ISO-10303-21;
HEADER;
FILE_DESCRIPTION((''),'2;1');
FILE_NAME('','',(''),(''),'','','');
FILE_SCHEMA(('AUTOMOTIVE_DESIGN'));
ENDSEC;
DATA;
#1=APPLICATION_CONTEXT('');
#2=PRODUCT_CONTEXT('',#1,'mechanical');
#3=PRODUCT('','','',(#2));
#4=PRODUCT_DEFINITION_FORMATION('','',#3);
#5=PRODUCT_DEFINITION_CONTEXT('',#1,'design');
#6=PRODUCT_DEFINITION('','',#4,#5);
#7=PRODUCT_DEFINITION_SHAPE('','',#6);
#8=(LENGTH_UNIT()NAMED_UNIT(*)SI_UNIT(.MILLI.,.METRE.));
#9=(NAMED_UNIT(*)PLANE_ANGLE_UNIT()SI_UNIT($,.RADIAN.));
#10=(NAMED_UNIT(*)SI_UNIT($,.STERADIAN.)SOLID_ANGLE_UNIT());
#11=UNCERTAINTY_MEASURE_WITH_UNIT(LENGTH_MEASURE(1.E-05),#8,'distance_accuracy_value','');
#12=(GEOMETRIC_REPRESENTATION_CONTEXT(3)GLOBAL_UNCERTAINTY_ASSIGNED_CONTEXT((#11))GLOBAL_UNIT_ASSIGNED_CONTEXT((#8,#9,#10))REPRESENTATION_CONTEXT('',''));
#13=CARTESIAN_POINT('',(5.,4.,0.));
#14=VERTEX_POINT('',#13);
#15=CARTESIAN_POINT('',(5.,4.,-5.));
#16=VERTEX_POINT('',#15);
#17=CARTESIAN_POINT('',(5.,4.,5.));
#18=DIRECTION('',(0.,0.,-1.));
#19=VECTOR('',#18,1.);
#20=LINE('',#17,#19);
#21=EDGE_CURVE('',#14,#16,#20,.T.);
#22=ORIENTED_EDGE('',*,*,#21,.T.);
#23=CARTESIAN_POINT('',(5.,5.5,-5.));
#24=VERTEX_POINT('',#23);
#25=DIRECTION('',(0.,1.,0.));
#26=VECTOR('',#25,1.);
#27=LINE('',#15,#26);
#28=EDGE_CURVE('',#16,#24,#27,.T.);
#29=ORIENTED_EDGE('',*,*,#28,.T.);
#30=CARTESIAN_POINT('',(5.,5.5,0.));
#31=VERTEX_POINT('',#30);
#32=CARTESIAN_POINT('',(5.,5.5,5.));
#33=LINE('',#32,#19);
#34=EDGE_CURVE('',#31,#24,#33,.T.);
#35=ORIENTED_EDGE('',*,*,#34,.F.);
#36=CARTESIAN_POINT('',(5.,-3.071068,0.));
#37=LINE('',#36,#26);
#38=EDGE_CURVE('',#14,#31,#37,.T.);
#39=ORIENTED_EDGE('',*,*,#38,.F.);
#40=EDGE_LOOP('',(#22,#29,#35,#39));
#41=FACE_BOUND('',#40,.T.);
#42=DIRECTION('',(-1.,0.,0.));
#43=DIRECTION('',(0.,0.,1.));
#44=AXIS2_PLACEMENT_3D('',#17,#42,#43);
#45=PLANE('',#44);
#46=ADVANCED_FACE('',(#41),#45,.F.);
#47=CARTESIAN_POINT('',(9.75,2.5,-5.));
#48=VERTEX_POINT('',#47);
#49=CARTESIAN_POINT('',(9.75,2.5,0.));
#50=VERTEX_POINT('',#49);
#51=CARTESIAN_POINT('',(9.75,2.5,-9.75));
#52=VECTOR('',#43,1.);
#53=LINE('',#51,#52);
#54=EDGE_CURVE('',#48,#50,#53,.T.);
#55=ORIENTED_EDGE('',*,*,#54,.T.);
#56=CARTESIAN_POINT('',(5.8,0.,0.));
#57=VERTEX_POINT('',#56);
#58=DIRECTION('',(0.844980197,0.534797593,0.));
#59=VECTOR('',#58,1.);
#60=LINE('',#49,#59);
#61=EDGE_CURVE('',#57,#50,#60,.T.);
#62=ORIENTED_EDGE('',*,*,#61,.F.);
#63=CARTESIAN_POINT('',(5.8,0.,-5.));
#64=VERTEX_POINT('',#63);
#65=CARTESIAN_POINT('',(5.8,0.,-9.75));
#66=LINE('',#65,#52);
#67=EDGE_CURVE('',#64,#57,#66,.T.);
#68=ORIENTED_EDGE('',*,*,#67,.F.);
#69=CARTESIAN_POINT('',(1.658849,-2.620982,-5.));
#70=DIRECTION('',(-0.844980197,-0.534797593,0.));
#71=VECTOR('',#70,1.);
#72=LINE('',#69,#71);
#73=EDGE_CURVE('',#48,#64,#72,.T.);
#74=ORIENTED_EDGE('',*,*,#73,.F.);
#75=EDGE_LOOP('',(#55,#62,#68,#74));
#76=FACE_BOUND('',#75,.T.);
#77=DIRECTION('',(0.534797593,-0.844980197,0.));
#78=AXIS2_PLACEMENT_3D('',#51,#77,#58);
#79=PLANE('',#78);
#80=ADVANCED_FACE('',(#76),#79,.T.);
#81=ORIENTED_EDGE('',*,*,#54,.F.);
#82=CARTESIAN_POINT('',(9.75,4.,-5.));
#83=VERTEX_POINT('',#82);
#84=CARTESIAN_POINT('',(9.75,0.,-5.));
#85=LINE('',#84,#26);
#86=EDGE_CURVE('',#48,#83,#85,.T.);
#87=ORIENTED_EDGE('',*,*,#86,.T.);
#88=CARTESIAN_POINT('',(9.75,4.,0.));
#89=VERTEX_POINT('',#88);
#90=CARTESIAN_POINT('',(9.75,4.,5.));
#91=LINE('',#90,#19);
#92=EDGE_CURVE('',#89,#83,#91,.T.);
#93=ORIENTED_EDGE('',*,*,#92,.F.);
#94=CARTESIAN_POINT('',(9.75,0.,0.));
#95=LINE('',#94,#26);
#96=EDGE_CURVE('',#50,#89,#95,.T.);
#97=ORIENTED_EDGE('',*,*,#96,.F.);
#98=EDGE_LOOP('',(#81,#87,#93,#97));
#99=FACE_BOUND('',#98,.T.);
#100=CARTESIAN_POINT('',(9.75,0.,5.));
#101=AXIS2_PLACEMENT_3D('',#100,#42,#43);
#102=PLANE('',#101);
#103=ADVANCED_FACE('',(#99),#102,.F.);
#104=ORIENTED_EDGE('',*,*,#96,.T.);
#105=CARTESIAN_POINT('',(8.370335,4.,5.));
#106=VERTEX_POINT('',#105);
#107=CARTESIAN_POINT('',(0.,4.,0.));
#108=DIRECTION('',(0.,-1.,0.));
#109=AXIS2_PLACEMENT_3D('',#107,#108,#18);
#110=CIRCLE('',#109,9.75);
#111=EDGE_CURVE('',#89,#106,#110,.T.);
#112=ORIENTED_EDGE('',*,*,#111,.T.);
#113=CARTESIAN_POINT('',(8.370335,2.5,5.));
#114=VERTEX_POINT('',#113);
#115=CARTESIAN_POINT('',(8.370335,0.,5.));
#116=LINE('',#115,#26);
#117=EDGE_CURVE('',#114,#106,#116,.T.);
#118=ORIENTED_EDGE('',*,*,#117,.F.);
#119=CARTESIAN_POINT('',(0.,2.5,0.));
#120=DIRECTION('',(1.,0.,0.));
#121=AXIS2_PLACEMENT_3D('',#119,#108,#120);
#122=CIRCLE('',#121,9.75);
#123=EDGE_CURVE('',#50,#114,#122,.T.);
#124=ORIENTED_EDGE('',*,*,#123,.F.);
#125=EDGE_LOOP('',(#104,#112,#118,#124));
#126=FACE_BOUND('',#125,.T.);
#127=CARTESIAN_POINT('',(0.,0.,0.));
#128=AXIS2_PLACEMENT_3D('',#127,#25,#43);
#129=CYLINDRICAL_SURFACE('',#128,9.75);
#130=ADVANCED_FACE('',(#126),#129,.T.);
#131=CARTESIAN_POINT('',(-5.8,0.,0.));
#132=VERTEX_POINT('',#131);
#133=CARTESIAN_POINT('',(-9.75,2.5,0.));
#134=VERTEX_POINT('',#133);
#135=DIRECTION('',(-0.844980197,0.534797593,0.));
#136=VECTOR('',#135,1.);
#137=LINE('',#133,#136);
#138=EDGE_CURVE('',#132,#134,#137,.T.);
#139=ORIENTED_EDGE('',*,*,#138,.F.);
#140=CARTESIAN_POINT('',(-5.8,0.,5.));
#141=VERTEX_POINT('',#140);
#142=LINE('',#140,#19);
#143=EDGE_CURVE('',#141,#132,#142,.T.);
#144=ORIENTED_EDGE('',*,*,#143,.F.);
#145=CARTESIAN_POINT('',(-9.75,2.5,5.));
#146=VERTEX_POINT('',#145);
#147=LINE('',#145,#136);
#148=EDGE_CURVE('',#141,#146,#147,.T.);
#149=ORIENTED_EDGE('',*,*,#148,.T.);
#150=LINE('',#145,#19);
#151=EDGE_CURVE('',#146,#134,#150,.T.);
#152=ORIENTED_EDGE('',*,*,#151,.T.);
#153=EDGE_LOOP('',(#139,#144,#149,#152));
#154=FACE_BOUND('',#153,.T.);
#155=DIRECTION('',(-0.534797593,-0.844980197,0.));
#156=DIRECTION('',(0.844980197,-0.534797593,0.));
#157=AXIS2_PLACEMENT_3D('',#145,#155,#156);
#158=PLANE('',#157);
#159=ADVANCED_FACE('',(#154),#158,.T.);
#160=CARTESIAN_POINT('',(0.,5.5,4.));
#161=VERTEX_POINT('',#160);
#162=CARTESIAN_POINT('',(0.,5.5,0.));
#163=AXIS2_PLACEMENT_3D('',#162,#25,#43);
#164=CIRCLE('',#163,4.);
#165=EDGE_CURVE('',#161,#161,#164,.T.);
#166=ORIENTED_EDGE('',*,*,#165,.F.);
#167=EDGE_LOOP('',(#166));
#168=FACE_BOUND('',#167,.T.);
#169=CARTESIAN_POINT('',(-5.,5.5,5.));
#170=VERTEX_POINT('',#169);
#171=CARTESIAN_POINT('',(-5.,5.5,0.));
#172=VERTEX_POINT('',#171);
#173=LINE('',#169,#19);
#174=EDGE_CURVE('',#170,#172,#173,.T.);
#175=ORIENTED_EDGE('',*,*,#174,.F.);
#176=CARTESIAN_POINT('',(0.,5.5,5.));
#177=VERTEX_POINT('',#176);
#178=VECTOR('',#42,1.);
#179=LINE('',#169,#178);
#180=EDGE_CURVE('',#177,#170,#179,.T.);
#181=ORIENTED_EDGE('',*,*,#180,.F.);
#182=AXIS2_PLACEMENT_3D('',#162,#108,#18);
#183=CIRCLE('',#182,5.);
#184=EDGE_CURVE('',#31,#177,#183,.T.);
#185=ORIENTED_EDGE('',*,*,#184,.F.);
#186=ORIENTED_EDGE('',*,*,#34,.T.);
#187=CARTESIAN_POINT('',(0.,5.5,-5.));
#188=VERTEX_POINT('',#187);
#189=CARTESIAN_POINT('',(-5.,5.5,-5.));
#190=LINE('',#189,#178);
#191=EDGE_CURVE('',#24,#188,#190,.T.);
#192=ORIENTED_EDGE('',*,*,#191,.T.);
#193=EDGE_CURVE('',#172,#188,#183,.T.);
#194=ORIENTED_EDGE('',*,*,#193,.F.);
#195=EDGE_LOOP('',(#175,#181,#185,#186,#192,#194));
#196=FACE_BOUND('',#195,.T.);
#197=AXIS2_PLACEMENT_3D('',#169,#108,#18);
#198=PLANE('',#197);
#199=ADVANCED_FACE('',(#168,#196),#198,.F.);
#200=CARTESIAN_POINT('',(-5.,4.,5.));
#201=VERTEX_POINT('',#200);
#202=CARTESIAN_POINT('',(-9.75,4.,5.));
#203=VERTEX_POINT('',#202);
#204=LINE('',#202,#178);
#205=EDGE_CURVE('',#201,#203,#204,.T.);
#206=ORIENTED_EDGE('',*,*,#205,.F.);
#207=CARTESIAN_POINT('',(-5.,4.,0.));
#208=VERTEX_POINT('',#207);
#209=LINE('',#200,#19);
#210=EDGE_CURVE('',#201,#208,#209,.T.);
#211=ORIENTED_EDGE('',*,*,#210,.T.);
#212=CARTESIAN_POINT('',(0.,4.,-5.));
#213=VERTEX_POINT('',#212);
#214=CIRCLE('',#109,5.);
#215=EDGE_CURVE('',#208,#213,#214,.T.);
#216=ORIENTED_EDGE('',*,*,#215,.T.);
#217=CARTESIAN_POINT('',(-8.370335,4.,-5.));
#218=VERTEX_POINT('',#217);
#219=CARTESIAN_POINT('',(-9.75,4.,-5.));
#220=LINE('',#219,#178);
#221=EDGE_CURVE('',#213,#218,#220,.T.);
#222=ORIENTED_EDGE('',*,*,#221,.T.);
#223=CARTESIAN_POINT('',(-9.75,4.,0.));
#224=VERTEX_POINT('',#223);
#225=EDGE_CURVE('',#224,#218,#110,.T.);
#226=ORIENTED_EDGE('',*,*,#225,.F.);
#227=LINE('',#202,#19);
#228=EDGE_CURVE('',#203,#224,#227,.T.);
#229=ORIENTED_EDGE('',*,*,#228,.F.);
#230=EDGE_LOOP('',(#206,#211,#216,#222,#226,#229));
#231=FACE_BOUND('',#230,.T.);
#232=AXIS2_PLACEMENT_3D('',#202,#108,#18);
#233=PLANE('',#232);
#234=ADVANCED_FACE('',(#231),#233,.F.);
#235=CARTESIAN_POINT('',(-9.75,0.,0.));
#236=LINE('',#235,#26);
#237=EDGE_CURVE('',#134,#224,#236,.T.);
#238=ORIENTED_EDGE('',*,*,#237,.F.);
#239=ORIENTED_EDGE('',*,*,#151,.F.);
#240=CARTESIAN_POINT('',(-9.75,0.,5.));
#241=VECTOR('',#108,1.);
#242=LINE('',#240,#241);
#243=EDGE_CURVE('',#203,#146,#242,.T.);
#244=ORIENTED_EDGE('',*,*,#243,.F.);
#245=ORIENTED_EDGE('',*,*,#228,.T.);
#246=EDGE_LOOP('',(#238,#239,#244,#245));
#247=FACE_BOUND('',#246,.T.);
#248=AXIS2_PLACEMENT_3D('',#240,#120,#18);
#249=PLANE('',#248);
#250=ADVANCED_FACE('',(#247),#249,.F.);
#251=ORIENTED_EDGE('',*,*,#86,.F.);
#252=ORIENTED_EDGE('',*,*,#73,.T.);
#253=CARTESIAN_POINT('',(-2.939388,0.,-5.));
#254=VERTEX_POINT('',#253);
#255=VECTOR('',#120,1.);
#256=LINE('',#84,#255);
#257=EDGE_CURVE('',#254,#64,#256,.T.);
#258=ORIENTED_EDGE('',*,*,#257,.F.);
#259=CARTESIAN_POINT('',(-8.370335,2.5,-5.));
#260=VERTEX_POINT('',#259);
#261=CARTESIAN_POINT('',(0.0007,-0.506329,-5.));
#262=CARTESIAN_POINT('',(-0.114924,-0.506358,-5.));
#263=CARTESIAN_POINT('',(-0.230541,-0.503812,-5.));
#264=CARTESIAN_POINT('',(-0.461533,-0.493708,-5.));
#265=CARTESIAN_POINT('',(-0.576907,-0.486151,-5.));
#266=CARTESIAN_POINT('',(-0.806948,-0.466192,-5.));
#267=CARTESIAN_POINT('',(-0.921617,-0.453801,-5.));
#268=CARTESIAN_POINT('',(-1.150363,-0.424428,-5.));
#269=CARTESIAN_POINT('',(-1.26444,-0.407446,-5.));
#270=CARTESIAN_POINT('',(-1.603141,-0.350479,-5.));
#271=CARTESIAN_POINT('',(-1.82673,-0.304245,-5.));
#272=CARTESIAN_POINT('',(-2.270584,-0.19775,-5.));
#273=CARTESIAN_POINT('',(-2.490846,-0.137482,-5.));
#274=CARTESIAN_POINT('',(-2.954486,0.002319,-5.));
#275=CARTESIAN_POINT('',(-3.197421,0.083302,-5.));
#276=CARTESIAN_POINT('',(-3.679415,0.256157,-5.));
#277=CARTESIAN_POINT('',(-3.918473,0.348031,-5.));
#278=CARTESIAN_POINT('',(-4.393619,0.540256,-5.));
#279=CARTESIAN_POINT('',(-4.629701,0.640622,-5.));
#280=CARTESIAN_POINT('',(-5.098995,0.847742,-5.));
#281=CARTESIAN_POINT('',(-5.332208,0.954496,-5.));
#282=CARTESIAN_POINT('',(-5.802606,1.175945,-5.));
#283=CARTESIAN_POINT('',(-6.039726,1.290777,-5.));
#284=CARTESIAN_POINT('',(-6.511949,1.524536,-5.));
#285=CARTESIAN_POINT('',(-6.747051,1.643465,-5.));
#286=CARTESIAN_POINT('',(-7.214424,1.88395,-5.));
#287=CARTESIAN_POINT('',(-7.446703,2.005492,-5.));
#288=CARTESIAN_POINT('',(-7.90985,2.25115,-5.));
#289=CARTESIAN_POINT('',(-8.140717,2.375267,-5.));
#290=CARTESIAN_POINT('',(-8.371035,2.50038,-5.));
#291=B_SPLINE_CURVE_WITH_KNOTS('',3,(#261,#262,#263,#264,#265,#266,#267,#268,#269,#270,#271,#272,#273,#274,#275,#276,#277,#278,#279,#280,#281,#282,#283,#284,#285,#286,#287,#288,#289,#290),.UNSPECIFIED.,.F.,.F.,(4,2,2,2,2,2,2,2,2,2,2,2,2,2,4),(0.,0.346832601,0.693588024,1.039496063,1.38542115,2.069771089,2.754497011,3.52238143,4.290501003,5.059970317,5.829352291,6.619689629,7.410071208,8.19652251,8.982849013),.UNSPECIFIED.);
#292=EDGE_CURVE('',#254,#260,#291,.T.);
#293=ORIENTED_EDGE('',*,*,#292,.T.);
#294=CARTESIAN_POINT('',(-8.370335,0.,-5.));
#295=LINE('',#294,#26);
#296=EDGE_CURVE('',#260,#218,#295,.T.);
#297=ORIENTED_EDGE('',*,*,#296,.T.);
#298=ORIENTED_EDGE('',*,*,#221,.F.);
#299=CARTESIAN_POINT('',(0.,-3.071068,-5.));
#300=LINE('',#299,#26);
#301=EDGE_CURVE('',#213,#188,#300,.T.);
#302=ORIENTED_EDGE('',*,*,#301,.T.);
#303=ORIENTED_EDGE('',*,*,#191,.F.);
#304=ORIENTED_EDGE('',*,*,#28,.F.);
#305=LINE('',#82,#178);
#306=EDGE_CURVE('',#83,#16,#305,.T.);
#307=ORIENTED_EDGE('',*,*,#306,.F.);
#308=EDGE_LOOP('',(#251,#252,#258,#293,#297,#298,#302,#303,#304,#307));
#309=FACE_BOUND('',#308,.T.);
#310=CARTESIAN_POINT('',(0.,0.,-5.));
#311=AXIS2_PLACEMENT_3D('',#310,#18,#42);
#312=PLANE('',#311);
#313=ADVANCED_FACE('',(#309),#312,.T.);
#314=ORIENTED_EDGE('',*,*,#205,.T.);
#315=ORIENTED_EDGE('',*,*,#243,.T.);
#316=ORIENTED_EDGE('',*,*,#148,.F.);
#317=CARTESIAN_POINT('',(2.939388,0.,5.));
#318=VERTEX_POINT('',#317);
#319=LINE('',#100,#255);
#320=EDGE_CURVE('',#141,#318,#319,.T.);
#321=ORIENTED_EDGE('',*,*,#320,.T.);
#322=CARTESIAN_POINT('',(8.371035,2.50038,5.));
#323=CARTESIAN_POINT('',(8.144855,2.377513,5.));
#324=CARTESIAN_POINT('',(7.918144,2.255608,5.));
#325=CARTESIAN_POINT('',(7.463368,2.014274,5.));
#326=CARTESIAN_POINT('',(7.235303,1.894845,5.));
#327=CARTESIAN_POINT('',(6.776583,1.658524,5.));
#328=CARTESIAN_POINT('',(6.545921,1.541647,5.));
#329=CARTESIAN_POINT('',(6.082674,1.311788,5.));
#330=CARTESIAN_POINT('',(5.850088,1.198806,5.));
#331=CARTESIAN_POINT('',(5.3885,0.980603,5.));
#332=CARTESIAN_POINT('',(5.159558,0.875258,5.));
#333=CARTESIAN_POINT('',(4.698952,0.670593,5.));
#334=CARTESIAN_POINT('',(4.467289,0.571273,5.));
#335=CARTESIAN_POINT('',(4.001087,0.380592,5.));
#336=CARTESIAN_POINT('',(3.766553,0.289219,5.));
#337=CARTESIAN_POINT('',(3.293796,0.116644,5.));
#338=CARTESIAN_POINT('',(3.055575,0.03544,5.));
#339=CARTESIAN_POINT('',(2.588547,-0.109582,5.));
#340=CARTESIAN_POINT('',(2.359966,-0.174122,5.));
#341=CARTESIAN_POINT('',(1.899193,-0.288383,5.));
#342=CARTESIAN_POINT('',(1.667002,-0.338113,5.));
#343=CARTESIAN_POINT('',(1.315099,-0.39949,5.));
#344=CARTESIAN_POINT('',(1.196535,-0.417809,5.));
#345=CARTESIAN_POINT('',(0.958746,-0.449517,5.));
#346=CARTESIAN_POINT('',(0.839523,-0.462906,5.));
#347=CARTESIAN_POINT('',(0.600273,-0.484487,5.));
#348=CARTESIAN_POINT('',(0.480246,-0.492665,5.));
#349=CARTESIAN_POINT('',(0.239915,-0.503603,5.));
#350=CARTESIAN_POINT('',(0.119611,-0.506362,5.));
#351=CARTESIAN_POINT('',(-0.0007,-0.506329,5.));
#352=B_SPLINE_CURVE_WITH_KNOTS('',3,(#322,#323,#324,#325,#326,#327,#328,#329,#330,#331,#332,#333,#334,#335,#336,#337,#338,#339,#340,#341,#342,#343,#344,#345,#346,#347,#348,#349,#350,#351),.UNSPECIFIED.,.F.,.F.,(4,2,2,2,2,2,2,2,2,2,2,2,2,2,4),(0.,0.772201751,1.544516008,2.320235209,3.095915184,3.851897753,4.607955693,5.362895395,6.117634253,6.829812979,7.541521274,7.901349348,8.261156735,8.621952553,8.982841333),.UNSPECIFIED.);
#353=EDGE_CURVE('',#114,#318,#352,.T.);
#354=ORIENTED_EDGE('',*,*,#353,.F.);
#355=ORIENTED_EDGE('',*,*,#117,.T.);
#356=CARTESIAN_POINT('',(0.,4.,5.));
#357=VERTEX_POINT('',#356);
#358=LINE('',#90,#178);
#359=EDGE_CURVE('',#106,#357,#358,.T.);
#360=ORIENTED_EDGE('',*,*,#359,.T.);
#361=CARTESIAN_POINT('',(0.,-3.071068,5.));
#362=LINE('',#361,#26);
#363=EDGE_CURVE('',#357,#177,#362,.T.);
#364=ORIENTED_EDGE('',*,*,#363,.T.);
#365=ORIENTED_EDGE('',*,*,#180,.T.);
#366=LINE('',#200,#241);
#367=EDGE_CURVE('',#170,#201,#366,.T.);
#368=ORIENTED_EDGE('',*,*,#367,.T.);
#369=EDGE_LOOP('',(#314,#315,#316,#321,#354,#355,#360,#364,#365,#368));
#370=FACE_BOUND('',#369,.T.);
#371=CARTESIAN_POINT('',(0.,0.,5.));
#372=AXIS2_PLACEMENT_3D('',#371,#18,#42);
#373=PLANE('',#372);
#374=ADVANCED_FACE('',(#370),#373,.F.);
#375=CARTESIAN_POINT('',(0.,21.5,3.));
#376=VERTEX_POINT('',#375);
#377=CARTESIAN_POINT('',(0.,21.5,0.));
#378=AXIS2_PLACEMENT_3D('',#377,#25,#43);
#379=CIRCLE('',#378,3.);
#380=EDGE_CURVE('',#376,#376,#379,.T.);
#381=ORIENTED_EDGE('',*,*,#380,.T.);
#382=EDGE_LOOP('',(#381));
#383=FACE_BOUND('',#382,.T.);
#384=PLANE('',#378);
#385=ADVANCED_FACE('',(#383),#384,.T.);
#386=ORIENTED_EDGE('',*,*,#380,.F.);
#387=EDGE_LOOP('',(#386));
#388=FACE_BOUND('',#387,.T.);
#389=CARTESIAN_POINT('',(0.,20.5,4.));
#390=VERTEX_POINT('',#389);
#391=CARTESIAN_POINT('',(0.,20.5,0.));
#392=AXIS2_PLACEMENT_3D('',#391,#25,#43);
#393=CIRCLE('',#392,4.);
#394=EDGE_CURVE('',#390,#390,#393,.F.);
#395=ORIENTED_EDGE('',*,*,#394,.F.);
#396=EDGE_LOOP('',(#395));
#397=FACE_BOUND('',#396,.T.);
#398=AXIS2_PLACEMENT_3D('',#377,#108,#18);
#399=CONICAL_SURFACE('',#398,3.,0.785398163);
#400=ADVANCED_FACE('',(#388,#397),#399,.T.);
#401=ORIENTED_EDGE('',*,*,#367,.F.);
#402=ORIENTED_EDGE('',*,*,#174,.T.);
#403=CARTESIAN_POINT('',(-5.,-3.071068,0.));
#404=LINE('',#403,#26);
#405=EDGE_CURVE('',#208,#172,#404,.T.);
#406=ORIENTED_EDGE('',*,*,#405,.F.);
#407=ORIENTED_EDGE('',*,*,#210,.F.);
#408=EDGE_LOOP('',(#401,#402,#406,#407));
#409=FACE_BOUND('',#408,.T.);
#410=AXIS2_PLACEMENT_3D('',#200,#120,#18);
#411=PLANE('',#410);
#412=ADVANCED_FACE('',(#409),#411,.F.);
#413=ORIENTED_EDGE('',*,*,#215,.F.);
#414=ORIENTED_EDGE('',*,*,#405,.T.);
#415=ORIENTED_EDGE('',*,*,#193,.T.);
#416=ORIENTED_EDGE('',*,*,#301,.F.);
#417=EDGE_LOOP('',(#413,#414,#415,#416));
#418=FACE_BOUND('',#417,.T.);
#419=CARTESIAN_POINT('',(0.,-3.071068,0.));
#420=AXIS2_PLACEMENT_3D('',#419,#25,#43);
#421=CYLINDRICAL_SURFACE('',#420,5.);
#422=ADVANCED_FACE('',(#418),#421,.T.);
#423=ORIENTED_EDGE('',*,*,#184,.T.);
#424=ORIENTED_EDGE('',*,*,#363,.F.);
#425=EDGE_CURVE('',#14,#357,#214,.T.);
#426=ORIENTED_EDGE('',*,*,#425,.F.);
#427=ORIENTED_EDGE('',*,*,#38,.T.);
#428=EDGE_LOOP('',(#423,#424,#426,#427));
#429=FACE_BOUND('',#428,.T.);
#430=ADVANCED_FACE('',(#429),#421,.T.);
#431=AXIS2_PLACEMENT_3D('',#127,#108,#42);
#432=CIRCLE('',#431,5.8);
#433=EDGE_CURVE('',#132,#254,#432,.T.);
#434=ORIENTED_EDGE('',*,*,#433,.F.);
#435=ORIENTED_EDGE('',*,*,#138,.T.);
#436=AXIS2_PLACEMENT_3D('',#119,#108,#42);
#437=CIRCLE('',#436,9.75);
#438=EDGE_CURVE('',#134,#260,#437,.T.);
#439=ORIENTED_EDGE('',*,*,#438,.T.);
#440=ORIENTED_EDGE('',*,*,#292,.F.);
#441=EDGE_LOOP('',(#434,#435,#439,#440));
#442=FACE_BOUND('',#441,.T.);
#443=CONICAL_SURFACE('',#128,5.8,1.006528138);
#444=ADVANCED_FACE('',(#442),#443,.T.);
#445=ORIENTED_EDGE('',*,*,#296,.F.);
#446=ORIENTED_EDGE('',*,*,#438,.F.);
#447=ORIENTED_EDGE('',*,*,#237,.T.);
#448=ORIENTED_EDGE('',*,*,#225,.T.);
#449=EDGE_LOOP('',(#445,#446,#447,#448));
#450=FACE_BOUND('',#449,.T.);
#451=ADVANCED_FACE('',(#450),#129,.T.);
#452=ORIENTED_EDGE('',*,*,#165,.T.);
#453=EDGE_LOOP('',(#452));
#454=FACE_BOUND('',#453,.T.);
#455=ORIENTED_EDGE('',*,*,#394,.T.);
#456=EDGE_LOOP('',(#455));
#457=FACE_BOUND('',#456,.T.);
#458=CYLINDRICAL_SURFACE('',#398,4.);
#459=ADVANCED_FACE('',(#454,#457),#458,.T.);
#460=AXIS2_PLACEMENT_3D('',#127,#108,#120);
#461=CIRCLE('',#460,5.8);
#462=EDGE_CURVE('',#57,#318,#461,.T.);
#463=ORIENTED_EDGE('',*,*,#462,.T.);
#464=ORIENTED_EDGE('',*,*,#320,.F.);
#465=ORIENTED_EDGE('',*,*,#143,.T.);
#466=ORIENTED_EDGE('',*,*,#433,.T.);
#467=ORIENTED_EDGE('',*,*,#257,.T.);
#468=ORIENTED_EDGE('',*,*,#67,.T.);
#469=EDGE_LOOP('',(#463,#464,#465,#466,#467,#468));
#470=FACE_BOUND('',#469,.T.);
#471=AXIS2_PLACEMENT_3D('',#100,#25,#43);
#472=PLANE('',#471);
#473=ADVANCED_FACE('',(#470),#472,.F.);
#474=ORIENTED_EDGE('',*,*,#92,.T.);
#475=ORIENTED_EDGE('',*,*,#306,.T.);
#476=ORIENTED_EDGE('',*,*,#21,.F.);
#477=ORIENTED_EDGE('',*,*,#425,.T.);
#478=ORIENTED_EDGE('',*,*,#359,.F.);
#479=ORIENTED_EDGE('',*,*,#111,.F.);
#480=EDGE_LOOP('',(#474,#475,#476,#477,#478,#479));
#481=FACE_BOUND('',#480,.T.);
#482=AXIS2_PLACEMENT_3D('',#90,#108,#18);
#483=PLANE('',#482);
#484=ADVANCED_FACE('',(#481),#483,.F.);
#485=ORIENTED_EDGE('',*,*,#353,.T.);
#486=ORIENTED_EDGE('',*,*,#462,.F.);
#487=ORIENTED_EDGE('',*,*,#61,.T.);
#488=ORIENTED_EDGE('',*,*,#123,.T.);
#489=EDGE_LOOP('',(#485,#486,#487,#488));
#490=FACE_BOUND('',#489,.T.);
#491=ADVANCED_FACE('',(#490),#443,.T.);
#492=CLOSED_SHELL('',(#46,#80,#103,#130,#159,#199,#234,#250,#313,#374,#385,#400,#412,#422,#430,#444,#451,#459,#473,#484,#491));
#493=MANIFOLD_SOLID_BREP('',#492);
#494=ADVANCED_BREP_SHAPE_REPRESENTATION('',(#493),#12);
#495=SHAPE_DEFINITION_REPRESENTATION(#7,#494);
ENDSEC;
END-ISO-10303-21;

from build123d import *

# Parameters (mm, degrees)
EXTRUDE_1_DEPTH     = 5
CUT_EXTRUDE_1_DEPTH = 1.5
SKETCH_2_R          = 4
EXTRUDE_2_DEPTH     = 16
CUT_EXTRUDE_2_DEPTH = 5
CHAMFER_2_SIZE      = 1


with BuildPart() as part:
    # Эскиз1 → Бобышка-Вытянуть1 (new body, symmetric)
    with BuildSketch(Plane.XY):
        Polygon((9.75, 0), (-9.75, 0), (-9.75, 4), (-5, 4), (-5, 5.5), (5, 5.5), (5, 4), (9.75, 4), align=None)
    extrude(amount=EXTRUDE_1_DEPTH, both=True)

    # Эскиз3 → Вырез-Вытянуть1 (cut)
    with BuildSketch(Plane(origin=(0, 5.5, 0), x_dir=(1, 0, 0), z_dir=(0, 1, 0))):
        with BuildLine():
            Line((-5, 0), (-5, 5))
            Line((-5, 5), (0, 5))
            ThreePointArc((0, 5), (-3.535533906, 3.535533906), (-5, 0))
        make_face()
        with BuildLine():
            Line((0, -5), (5, -5))
            Line((5, -5), (5, 0))
            ThreePointArc((5, 0), (3.535533906, -3.535533906), (0, -5))
        make_face()
    extrude(amount=-CUT_EXTRUDE_1_DEPTH, mode=Mode.SUBTRACT)

    # Эскиз2 → Бобышка-Вытянуть2 (add)
    with BuildSketch(Plane(origin=(0, 5.5, 0), x_dir=(1, 0, 0), z_dir=(0, 1, 0))):
        with Locations(Location((0, 0, 0), (0, 0, 270))):  # turned: the seam where the file's is
            Circle(SKETCH_2_R)
    extrude(amount=EXTRUDE_2_DEPTH)

    # Эскиз4 → Вырез-Вытянуть2 (cut, through all)
    with BuildSketch(Plane(origin=(0, 4, 0), x_dir=(1, 0, 0), z_dir=(0, 1, 0))):
        with BuildLine():
            Line((-8.370334521, 5), (-9.75, 5))
            Line((-9.75, 5), (-9.75, 0))
            ThreePointArc((-9.75, 0), (-9.398756875, 2.59342808), (-8.370334521, 5))
        make_face()
        with BuildLine():
            Line((8.370334521, -5), (9.75, -5))
            Line((9.75, -5), (9.75, 0))
            ThreePointArc((9.75, 0), (9.398756875, -2.59342808), (8.370334521, -5))
        make_face()
    extrude(amount=-CUT_EXTRUDE_2_DEPTH, mode=Mode.SUBTRACT)

    # Вырез-По траектории1: sweep along a path in Эскиз6
    with BuildLine(Plane.XZ) as sweep_1_path:
        Line((0, -9.75), (9.75, -9.75))
        Line((9.75, -9.75), (9.75, 0))
        ThreePointArc((9.75, 0), (6.894291117, 6.894291117), (0, 9.75))
        Line((0, 9.75), (-9.75, 9.75))
        Line((-9.75, 9.75), (-9.75, 0))
        ThreePointArc((-9.75, 0), (-6.894291117, -6.894291117), (0, -9.75))
    # Эскиз5 → Вырез-По траектории1 (sweep, cut)
    with BuildSketch(Plane.XY.offset(5)):
        Polygon((-9.75, 2.5), (-5.8, 0), (-9.75, 0), align=None)
    sweep(path=sweep_1_path.line, transition=Transition.RIGHT, mode=Mode.SUBTRACT)

    # Фаска2
    chamfer_2_edges = [part.edges().sort_by_distance(p)[0] for p in [
        (0, 21.5, -4),
    ]]
    chamfer(chamfer_2_edges, length=CHAMFER_2_SIZE)


solid = part.part
